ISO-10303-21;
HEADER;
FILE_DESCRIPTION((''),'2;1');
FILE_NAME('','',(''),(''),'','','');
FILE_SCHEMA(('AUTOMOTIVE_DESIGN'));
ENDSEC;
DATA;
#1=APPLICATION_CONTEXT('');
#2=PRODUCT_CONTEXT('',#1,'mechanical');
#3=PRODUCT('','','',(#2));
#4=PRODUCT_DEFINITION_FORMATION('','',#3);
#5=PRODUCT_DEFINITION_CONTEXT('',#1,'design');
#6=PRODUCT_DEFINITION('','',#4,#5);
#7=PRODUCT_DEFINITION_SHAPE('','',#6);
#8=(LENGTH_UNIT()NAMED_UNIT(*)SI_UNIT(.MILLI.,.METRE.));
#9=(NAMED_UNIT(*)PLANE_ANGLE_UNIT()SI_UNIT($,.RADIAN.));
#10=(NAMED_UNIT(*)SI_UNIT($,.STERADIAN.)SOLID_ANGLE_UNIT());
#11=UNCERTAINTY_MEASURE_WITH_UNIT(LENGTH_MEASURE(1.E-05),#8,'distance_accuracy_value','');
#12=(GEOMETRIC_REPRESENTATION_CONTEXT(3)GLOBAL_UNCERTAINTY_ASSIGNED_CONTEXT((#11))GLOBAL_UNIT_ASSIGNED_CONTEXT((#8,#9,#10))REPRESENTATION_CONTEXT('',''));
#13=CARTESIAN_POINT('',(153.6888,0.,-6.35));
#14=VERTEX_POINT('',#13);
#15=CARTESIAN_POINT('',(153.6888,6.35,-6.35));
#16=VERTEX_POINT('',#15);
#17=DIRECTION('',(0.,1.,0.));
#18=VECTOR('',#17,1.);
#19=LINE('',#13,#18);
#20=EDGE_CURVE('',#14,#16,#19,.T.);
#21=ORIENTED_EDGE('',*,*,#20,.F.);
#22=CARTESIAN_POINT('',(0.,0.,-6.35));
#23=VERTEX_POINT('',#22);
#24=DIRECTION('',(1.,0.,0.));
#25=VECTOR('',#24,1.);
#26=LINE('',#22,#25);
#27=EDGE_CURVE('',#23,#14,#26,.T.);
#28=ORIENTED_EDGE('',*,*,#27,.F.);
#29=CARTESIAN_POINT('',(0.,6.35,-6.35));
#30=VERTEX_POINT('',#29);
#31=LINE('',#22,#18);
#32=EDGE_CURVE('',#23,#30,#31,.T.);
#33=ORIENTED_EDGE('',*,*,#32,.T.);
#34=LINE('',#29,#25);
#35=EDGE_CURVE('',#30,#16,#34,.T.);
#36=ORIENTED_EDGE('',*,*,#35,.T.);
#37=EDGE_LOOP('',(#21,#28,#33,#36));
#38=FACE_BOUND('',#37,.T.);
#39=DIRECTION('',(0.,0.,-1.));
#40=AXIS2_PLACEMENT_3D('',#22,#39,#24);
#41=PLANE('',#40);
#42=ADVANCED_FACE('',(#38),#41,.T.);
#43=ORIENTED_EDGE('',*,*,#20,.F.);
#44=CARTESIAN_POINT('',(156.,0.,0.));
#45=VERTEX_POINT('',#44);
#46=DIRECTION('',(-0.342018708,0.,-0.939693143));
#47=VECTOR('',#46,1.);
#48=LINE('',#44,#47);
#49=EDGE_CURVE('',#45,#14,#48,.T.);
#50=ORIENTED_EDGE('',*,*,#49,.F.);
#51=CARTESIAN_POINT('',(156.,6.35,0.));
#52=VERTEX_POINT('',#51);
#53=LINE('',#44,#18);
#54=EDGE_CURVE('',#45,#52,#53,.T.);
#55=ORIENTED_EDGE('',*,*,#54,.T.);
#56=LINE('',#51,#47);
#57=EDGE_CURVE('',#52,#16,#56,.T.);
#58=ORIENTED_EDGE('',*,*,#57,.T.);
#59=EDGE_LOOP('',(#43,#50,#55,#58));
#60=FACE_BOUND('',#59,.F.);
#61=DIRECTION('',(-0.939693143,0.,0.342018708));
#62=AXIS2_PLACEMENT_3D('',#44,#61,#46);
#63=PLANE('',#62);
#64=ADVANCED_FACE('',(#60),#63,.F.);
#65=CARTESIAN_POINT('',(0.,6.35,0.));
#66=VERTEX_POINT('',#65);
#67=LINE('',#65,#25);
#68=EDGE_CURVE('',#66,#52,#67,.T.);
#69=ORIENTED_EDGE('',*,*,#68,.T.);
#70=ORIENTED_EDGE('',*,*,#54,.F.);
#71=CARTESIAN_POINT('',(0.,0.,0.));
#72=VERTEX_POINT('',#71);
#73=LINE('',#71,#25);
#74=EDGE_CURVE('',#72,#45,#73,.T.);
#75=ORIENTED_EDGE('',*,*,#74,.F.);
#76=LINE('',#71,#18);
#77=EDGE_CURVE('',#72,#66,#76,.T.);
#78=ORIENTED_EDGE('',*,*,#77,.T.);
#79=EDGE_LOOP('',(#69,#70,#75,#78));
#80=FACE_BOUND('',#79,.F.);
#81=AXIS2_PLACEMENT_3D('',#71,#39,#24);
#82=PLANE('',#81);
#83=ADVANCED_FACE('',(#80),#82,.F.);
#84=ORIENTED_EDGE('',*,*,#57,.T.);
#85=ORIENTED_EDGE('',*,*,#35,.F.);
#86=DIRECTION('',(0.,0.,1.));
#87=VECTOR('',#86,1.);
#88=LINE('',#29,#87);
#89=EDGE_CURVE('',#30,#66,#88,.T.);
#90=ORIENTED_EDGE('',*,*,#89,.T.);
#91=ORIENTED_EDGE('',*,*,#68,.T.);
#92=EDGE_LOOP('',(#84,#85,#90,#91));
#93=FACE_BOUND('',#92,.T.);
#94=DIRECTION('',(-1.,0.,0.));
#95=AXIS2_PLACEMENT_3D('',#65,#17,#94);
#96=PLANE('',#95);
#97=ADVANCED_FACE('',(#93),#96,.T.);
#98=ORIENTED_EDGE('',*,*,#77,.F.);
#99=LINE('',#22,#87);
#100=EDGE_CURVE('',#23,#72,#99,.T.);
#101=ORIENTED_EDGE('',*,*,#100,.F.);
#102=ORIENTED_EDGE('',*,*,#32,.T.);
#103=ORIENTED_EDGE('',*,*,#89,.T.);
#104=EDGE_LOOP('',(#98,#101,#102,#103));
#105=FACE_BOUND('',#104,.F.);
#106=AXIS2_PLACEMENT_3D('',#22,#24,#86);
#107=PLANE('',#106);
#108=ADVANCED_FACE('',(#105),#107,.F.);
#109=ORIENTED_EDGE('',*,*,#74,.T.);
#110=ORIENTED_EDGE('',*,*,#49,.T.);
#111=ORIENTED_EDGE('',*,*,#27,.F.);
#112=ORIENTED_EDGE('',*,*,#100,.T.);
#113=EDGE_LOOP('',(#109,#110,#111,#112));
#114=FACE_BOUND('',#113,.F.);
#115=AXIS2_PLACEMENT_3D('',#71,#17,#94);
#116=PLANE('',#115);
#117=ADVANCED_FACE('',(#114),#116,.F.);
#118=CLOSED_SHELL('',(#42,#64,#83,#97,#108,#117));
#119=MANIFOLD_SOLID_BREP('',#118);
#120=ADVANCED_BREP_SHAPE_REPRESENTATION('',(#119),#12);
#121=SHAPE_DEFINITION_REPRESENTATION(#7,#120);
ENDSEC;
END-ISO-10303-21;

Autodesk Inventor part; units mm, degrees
ref_plane "YZ Plane" through (0, 0, 0) normal (1, 0, 0) x (0, 1, 0)
ref_plane "XZ Plane" through (0, 0, 0) normal (0, 1, 0) x (-1, 0, 0)
ref_plane "XY Plane" through (0, 0, 0) normal (0, 0, 1) x (1, 0, 0)
sketch "Sketch1" plane through (0, 0, 0) normal (0, 1, 0) x (-1, 0, 0)
  line L0 (0, 0) -> (-156, 0)
  line L1 (0, -6.35) -> (0, 0)
  line L2 (-156, 0) -> (-153.6888, -6.35)
  line L3 (-156, 0) -> (-149.2425, 0) construction
  line L4 (0, -6.35) -> (-153.6888, -6.35)
  dimension "d0" = 156
  dimension "d2" = 70
extrude "Extrusion1" add sketch "Sketch1" along normal blind 6.35
properties part number "Support1"
